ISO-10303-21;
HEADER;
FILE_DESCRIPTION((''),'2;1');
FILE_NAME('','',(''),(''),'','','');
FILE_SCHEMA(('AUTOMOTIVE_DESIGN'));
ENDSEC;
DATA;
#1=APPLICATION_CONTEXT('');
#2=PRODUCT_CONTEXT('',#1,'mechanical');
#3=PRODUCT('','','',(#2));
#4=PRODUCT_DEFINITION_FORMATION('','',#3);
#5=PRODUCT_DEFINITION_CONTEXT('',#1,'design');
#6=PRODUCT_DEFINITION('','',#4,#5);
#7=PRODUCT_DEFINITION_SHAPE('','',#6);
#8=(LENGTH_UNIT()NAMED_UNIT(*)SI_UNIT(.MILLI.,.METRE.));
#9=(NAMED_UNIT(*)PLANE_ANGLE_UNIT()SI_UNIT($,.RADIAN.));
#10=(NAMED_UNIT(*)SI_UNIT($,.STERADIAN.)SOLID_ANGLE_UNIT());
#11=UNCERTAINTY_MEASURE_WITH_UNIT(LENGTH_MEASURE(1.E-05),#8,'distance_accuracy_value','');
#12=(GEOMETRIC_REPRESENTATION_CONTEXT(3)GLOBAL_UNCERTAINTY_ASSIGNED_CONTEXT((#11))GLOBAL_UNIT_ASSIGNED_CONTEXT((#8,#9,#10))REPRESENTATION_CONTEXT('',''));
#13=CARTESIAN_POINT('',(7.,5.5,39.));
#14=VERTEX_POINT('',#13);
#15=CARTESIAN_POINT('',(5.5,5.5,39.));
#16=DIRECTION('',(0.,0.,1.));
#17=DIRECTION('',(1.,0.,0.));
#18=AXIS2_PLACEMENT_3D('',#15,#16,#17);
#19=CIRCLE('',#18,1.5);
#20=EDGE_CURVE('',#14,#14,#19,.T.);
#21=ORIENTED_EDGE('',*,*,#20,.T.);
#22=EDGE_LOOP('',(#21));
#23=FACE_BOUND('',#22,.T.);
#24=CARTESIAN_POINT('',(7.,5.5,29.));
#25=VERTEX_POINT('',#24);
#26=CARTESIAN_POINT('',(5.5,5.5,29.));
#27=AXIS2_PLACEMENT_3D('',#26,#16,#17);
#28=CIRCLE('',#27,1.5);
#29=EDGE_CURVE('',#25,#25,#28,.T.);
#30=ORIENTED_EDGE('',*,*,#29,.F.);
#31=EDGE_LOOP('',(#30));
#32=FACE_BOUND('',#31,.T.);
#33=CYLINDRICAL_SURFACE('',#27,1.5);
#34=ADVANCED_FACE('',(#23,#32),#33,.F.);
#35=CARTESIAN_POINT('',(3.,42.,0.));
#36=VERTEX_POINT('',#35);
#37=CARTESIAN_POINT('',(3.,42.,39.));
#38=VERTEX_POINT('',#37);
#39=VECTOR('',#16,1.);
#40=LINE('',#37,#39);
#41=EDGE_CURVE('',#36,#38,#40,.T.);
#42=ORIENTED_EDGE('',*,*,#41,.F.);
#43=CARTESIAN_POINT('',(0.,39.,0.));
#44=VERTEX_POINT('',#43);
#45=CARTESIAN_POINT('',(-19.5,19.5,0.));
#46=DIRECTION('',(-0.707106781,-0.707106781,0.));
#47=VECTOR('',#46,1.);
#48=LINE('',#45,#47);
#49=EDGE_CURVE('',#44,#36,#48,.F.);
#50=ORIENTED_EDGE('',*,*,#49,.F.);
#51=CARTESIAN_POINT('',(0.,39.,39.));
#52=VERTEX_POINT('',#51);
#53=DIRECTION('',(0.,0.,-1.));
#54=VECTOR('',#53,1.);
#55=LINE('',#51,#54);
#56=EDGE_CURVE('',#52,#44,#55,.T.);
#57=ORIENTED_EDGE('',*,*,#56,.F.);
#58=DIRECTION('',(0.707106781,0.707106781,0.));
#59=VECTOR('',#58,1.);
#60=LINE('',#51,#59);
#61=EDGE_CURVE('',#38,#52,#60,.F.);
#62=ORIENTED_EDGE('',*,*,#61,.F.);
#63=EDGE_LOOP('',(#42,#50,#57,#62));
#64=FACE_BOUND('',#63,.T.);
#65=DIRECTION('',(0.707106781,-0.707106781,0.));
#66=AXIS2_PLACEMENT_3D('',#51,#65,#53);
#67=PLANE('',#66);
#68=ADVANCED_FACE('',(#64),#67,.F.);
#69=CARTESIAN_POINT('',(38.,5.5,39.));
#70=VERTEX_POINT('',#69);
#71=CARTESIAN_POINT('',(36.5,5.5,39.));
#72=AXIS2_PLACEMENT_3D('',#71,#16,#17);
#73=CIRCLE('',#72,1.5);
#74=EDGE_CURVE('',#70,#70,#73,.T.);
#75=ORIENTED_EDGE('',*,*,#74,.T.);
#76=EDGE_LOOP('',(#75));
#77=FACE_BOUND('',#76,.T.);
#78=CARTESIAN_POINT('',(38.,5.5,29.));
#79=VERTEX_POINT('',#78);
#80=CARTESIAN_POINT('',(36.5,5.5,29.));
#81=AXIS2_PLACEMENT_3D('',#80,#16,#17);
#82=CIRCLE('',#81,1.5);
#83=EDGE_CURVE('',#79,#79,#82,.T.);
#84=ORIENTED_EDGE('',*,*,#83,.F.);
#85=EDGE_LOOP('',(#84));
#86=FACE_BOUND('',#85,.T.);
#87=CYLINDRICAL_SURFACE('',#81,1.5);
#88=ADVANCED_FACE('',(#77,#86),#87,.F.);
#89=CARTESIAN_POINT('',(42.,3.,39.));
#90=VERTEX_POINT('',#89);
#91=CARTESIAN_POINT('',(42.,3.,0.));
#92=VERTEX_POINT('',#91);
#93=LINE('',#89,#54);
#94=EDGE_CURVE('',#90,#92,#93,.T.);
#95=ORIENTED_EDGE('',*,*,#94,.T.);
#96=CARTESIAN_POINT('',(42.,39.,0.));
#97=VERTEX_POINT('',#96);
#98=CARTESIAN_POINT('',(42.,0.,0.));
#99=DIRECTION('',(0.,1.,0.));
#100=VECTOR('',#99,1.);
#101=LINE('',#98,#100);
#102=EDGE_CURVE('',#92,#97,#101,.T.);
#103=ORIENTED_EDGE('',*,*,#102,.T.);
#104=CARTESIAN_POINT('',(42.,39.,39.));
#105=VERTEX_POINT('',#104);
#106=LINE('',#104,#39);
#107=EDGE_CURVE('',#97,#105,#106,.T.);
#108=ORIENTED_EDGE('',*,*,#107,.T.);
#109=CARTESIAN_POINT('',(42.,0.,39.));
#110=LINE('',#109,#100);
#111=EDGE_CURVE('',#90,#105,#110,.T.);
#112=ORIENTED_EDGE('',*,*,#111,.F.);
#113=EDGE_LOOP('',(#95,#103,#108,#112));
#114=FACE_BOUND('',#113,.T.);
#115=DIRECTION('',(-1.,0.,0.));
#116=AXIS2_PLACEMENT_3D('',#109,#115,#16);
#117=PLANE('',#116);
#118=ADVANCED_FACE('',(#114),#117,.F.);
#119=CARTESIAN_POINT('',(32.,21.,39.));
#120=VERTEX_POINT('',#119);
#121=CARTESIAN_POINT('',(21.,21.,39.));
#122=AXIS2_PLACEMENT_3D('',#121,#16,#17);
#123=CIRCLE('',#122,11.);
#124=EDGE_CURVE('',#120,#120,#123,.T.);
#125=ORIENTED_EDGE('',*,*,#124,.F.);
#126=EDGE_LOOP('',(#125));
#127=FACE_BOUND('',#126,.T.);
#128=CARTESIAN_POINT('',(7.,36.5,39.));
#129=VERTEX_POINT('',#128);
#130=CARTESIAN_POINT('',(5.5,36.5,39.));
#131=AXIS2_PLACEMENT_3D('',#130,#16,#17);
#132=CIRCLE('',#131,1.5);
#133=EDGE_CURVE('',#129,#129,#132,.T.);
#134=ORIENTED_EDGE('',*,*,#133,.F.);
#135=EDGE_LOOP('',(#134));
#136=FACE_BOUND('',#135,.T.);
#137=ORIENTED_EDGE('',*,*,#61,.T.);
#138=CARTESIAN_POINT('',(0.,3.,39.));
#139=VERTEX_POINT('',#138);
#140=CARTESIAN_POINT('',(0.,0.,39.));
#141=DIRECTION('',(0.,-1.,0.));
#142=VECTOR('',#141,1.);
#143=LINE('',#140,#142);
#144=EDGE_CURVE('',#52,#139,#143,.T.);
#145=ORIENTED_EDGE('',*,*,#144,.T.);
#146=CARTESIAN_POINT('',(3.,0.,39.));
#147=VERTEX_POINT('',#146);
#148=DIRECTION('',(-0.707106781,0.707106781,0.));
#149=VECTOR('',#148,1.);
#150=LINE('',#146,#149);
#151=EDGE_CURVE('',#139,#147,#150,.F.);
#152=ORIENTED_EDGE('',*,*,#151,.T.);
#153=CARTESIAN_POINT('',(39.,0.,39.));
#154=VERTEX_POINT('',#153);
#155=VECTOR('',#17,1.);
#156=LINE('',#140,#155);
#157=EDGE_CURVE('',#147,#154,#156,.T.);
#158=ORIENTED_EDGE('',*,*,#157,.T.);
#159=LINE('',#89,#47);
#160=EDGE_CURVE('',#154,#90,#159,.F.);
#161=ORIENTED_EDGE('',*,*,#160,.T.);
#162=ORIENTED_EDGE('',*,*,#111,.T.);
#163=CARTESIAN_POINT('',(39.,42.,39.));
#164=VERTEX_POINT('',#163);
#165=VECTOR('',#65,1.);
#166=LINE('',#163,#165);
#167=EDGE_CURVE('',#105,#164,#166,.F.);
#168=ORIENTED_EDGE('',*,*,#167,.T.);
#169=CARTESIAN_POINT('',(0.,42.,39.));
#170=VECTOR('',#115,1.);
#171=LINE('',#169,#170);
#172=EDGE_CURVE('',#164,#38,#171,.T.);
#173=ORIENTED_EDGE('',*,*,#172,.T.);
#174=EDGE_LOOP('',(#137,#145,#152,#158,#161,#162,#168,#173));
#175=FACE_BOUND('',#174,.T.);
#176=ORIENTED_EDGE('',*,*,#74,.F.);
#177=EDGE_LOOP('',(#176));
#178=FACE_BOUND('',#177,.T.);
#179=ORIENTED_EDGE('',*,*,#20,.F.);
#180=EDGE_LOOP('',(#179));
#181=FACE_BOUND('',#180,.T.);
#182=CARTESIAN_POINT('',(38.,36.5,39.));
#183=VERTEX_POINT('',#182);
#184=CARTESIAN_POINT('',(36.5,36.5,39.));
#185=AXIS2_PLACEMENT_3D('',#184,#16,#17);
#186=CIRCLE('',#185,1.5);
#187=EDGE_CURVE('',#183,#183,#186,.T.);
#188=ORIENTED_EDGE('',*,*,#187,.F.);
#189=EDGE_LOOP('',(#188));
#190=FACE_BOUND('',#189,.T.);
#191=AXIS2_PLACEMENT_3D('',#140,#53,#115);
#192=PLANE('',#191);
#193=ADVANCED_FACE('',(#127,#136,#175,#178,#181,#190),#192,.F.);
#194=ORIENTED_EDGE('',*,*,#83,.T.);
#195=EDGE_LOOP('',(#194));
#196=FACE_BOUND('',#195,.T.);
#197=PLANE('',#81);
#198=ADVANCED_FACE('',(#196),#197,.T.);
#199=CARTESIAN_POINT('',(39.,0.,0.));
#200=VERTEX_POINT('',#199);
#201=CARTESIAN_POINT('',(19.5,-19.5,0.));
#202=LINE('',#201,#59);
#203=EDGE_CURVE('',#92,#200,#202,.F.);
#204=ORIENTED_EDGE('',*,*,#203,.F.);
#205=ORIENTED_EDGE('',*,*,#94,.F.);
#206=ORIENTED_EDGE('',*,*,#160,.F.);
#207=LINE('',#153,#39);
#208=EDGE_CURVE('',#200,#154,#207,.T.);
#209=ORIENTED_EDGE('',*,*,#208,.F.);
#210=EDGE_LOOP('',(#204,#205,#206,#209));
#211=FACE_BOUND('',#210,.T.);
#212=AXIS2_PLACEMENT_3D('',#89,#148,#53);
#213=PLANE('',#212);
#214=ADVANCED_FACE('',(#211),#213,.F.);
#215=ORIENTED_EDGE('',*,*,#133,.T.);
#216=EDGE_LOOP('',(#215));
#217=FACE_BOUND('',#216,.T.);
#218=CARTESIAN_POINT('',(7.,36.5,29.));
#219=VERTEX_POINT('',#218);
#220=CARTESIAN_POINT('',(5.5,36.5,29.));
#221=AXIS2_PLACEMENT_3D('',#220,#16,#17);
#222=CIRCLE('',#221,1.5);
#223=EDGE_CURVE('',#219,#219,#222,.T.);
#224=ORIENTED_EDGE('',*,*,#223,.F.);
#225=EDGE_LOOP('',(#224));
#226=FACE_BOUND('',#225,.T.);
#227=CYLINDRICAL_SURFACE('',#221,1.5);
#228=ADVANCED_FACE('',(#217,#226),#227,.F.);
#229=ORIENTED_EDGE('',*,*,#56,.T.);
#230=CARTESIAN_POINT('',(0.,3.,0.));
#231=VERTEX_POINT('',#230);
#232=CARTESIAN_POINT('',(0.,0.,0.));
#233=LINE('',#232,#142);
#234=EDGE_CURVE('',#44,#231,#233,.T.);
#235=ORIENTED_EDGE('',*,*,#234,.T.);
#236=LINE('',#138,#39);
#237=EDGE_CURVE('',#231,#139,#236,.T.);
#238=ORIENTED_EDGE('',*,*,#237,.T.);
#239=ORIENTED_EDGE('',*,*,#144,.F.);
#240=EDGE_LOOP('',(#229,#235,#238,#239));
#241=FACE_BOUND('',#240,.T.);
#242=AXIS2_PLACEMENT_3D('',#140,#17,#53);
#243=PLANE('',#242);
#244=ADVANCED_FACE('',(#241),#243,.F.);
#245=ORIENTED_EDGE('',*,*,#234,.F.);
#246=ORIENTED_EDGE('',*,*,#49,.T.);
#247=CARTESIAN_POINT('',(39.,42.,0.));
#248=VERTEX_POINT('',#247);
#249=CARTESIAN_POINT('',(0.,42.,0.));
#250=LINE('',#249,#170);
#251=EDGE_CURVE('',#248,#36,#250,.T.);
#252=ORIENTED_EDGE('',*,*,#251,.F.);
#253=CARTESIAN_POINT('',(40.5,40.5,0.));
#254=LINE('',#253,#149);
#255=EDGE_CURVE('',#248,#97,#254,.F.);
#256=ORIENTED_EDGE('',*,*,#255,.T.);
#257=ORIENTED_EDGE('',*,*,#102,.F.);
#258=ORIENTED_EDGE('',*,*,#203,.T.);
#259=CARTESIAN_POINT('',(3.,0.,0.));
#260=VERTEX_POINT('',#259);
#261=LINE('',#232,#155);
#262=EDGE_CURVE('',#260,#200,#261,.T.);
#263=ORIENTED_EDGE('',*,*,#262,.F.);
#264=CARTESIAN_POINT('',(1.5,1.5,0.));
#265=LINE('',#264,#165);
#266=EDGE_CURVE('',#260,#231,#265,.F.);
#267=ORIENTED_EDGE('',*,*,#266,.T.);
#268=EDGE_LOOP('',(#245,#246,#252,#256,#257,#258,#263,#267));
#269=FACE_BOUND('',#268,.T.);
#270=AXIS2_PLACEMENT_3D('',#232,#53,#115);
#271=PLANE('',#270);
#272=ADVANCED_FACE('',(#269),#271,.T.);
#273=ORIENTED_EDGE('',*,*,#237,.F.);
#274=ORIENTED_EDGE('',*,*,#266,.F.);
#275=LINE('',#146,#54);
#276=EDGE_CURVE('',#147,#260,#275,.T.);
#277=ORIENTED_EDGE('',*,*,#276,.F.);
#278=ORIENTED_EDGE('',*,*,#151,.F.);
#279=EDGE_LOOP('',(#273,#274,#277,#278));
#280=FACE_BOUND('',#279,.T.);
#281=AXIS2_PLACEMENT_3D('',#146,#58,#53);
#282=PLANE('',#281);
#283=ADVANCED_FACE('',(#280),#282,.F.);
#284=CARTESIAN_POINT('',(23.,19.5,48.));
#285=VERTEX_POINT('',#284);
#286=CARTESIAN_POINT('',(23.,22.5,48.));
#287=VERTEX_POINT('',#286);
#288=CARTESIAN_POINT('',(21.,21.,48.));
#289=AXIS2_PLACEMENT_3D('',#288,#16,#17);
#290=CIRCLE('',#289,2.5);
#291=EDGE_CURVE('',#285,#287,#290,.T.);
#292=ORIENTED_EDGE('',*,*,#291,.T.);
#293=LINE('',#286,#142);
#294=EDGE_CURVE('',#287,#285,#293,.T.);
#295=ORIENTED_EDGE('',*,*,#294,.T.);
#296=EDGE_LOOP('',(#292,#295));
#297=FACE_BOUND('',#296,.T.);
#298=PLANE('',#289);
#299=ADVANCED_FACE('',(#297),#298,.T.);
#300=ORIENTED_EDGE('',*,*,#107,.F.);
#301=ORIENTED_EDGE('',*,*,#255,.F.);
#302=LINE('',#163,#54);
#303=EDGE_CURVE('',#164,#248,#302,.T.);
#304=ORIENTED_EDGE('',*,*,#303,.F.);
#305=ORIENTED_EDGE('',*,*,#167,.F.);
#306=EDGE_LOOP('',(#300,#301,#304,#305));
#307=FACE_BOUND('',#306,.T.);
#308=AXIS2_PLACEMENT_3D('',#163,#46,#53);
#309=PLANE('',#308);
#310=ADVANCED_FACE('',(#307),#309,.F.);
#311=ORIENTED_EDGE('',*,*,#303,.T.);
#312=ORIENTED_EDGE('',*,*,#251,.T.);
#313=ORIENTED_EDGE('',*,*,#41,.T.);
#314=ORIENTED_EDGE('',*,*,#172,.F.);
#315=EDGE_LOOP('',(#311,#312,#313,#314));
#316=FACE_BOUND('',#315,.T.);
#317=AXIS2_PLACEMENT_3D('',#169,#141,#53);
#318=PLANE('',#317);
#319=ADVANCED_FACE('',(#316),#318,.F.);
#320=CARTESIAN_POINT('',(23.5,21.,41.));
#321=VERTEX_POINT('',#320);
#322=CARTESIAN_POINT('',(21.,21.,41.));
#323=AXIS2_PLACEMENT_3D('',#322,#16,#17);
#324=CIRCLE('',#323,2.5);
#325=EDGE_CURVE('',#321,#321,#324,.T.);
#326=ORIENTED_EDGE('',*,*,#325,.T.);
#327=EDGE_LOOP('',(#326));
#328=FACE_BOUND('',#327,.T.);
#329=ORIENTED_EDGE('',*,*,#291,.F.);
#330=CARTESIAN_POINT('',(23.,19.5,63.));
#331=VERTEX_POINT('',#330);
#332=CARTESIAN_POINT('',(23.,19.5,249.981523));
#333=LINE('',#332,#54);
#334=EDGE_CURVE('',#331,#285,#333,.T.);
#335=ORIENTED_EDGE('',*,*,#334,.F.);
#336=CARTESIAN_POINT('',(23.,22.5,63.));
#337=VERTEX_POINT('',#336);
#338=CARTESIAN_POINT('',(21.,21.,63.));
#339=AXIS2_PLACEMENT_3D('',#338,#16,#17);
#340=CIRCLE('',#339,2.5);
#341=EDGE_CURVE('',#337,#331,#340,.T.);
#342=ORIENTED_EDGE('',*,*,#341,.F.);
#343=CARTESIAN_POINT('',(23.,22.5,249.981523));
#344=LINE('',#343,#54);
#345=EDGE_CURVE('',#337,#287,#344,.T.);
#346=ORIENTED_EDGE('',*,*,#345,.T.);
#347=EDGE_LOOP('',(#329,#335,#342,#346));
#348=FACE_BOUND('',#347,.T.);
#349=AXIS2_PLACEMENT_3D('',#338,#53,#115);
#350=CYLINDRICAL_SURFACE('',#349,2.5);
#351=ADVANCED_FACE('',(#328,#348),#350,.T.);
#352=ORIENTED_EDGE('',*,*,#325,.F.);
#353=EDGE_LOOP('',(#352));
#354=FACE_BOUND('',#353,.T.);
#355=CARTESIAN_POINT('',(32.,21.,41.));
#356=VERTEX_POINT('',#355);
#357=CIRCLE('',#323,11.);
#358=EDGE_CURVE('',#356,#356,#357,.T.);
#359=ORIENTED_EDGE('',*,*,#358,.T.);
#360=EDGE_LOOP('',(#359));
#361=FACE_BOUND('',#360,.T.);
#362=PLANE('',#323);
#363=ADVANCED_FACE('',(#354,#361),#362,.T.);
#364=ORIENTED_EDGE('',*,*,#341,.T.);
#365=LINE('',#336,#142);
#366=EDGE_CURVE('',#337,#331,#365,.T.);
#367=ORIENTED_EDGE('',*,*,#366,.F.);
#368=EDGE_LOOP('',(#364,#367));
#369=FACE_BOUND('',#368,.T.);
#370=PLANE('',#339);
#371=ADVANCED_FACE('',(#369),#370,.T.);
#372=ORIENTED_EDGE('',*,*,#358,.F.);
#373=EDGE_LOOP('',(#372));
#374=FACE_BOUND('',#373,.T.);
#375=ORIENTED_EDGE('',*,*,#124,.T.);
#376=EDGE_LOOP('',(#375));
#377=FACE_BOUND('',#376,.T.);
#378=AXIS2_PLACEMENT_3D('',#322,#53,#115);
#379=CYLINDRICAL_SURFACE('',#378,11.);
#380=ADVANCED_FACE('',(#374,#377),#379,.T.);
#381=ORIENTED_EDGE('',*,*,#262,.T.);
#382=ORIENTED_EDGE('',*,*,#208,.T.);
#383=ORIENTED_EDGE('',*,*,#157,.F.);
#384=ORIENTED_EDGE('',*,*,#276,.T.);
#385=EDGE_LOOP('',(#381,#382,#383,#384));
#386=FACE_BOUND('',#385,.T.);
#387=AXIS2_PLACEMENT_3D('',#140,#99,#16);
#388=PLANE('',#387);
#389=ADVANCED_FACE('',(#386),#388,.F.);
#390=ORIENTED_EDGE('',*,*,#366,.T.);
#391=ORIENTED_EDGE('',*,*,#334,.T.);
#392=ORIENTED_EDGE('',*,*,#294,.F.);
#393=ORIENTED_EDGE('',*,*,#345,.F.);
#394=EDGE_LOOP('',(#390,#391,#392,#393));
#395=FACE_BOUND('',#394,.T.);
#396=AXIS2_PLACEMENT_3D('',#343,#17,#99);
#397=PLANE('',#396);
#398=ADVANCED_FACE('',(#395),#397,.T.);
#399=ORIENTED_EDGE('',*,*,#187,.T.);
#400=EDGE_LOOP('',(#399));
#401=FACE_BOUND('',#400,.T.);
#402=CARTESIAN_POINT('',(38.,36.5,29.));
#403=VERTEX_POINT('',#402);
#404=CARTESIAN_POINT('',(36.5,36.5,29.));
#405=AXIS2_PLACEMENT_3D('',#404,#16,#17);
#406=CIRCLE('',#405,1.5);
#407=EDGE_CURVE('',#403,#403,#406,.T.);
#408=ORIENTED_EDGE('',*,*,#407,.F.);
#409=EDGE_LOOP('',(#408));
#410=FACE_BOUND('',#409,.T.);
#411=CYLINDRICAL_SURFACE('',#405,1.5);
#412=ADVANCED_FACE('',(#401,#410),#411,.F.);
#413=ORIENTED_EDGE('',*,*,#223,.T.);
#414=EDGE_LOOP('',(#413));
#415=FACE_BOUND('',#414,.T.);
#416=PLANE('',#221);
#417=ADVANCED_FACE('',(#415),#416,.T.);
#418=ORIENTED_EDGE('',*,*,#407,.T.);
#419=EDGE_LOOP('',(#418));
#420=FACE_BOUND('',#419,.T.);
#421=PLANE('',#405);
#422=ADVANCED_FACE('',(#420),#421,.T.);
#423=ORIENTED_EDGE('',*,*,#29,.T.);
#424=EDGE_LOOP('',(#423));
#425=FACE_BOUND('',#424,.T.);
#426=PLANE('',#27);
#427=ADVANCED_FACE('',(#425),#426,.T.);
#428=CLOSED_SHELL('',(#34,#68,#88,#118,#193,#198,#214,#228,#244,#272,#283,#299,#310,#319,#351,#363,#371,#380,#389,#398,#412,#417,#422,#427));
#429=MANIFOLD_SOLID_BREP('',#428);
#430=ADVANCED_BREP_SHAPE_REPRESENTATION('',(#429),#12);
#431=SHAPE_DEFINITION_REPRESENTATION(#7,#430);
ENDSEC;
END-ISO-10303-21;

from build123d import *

# Parameters (mm, degrees)
SKETCH1_W               = 42
SKETCH1_H               = 42
BOSS_EXTRUDE1_DEPTH     = 39
SKETCH2_R               = 11
BOSS_EXTRUDE2_DEPTH     = 2
SKETCH3_R               = 2.5
BOSS_EXTRUDE3_DEPTH     = 22
CHAMFER1_SIZE           = 3
SKETCH4_R               = 1.5
CUT_EXTRUDE1_DEPTH      = 10
CUT_EXTRUDE2_DEPTH      = 87.585218138
CUT_EXTRUDE2_DEPTH_BACK = 15


with BuildPart() as part:
    # Sketch1 → Boss-Extrude1 (new body)
    with BuildSketch(Plane.XY):
        with Locations((21, 21)):
            Rectangle(SKETCH1_W, SKETCH1_H)
    extrude(amount=BOSS_EXTRUDE1_DEPTH)

    # Sketch2 → Boss-Extrude2 (add)
    with BuildSketch(Plane.XY.offset(39)):
        with Locations((21, 21)):
            Circle(SKETCH2_R)
    extrude(amount=BOSS_EXTRUDE2_DEPTH)

    # Sketch3 → Boss-Extrude3 (add)
    with BuildSketch(Plane.XY.offset(41)):
        with Locations((21, 21)):
            Circle(SKETCH3_R)
    extrude(amount=BOSS_EXTRUDE3_DEPTH)

    # Chamfer1
    chamfer1_edges = [part.edges().sort_by_distance(p)[0] for p in [
        (0, 42, 19.5),
        (42, 42, 19.5),
        (42, 0, 19.5),
        (0, 0, 19.5),
    ]]
    chamfer(chamfer1_edges, length=CHAMFER1_SIZE)

    # Sketch4 → Cut-Extrude1 (cut)
    with BuildSketch(Plane.XY.offset(39)):
        with Locations((5.5, 36.5)):
            Circle(SKETCH4_R)
        with Locations((5.5, 5.5)):
            Circle(SKETCH4_R)
        with Locations((36.5, 5.5)):
            Circle(SKETCH4_R)
        with Locations((36.5, 36.5)):
            Circle(SKETCH4_R)
    extrude(amount=-CUT_EXTRUDE1_DEPTH, mode=Mode.SUBTRACT)

    # Sketch5 → Cut-Extrude2 (cut, two sides: drawn at the far end of the back side and taken through both)
    with BuildSketch(Plane.XY.offset(63).offset(-CUT_EXTRUDE2_DEPTH_BACK)):
        Polygon((23, 96.850602173), (23, 22.5), (23, 19.5), (23, -54.850602173), (171.701204346, -54.850602173), (171.701204346, 96.850602173), align=None)
    extrude(amount=CUT_EXTRUDE2_DEPTH + CUT_EXTRUDE2_DEPTH_BACK, mode=Mode.SUBTRACT)


solid = part.part
